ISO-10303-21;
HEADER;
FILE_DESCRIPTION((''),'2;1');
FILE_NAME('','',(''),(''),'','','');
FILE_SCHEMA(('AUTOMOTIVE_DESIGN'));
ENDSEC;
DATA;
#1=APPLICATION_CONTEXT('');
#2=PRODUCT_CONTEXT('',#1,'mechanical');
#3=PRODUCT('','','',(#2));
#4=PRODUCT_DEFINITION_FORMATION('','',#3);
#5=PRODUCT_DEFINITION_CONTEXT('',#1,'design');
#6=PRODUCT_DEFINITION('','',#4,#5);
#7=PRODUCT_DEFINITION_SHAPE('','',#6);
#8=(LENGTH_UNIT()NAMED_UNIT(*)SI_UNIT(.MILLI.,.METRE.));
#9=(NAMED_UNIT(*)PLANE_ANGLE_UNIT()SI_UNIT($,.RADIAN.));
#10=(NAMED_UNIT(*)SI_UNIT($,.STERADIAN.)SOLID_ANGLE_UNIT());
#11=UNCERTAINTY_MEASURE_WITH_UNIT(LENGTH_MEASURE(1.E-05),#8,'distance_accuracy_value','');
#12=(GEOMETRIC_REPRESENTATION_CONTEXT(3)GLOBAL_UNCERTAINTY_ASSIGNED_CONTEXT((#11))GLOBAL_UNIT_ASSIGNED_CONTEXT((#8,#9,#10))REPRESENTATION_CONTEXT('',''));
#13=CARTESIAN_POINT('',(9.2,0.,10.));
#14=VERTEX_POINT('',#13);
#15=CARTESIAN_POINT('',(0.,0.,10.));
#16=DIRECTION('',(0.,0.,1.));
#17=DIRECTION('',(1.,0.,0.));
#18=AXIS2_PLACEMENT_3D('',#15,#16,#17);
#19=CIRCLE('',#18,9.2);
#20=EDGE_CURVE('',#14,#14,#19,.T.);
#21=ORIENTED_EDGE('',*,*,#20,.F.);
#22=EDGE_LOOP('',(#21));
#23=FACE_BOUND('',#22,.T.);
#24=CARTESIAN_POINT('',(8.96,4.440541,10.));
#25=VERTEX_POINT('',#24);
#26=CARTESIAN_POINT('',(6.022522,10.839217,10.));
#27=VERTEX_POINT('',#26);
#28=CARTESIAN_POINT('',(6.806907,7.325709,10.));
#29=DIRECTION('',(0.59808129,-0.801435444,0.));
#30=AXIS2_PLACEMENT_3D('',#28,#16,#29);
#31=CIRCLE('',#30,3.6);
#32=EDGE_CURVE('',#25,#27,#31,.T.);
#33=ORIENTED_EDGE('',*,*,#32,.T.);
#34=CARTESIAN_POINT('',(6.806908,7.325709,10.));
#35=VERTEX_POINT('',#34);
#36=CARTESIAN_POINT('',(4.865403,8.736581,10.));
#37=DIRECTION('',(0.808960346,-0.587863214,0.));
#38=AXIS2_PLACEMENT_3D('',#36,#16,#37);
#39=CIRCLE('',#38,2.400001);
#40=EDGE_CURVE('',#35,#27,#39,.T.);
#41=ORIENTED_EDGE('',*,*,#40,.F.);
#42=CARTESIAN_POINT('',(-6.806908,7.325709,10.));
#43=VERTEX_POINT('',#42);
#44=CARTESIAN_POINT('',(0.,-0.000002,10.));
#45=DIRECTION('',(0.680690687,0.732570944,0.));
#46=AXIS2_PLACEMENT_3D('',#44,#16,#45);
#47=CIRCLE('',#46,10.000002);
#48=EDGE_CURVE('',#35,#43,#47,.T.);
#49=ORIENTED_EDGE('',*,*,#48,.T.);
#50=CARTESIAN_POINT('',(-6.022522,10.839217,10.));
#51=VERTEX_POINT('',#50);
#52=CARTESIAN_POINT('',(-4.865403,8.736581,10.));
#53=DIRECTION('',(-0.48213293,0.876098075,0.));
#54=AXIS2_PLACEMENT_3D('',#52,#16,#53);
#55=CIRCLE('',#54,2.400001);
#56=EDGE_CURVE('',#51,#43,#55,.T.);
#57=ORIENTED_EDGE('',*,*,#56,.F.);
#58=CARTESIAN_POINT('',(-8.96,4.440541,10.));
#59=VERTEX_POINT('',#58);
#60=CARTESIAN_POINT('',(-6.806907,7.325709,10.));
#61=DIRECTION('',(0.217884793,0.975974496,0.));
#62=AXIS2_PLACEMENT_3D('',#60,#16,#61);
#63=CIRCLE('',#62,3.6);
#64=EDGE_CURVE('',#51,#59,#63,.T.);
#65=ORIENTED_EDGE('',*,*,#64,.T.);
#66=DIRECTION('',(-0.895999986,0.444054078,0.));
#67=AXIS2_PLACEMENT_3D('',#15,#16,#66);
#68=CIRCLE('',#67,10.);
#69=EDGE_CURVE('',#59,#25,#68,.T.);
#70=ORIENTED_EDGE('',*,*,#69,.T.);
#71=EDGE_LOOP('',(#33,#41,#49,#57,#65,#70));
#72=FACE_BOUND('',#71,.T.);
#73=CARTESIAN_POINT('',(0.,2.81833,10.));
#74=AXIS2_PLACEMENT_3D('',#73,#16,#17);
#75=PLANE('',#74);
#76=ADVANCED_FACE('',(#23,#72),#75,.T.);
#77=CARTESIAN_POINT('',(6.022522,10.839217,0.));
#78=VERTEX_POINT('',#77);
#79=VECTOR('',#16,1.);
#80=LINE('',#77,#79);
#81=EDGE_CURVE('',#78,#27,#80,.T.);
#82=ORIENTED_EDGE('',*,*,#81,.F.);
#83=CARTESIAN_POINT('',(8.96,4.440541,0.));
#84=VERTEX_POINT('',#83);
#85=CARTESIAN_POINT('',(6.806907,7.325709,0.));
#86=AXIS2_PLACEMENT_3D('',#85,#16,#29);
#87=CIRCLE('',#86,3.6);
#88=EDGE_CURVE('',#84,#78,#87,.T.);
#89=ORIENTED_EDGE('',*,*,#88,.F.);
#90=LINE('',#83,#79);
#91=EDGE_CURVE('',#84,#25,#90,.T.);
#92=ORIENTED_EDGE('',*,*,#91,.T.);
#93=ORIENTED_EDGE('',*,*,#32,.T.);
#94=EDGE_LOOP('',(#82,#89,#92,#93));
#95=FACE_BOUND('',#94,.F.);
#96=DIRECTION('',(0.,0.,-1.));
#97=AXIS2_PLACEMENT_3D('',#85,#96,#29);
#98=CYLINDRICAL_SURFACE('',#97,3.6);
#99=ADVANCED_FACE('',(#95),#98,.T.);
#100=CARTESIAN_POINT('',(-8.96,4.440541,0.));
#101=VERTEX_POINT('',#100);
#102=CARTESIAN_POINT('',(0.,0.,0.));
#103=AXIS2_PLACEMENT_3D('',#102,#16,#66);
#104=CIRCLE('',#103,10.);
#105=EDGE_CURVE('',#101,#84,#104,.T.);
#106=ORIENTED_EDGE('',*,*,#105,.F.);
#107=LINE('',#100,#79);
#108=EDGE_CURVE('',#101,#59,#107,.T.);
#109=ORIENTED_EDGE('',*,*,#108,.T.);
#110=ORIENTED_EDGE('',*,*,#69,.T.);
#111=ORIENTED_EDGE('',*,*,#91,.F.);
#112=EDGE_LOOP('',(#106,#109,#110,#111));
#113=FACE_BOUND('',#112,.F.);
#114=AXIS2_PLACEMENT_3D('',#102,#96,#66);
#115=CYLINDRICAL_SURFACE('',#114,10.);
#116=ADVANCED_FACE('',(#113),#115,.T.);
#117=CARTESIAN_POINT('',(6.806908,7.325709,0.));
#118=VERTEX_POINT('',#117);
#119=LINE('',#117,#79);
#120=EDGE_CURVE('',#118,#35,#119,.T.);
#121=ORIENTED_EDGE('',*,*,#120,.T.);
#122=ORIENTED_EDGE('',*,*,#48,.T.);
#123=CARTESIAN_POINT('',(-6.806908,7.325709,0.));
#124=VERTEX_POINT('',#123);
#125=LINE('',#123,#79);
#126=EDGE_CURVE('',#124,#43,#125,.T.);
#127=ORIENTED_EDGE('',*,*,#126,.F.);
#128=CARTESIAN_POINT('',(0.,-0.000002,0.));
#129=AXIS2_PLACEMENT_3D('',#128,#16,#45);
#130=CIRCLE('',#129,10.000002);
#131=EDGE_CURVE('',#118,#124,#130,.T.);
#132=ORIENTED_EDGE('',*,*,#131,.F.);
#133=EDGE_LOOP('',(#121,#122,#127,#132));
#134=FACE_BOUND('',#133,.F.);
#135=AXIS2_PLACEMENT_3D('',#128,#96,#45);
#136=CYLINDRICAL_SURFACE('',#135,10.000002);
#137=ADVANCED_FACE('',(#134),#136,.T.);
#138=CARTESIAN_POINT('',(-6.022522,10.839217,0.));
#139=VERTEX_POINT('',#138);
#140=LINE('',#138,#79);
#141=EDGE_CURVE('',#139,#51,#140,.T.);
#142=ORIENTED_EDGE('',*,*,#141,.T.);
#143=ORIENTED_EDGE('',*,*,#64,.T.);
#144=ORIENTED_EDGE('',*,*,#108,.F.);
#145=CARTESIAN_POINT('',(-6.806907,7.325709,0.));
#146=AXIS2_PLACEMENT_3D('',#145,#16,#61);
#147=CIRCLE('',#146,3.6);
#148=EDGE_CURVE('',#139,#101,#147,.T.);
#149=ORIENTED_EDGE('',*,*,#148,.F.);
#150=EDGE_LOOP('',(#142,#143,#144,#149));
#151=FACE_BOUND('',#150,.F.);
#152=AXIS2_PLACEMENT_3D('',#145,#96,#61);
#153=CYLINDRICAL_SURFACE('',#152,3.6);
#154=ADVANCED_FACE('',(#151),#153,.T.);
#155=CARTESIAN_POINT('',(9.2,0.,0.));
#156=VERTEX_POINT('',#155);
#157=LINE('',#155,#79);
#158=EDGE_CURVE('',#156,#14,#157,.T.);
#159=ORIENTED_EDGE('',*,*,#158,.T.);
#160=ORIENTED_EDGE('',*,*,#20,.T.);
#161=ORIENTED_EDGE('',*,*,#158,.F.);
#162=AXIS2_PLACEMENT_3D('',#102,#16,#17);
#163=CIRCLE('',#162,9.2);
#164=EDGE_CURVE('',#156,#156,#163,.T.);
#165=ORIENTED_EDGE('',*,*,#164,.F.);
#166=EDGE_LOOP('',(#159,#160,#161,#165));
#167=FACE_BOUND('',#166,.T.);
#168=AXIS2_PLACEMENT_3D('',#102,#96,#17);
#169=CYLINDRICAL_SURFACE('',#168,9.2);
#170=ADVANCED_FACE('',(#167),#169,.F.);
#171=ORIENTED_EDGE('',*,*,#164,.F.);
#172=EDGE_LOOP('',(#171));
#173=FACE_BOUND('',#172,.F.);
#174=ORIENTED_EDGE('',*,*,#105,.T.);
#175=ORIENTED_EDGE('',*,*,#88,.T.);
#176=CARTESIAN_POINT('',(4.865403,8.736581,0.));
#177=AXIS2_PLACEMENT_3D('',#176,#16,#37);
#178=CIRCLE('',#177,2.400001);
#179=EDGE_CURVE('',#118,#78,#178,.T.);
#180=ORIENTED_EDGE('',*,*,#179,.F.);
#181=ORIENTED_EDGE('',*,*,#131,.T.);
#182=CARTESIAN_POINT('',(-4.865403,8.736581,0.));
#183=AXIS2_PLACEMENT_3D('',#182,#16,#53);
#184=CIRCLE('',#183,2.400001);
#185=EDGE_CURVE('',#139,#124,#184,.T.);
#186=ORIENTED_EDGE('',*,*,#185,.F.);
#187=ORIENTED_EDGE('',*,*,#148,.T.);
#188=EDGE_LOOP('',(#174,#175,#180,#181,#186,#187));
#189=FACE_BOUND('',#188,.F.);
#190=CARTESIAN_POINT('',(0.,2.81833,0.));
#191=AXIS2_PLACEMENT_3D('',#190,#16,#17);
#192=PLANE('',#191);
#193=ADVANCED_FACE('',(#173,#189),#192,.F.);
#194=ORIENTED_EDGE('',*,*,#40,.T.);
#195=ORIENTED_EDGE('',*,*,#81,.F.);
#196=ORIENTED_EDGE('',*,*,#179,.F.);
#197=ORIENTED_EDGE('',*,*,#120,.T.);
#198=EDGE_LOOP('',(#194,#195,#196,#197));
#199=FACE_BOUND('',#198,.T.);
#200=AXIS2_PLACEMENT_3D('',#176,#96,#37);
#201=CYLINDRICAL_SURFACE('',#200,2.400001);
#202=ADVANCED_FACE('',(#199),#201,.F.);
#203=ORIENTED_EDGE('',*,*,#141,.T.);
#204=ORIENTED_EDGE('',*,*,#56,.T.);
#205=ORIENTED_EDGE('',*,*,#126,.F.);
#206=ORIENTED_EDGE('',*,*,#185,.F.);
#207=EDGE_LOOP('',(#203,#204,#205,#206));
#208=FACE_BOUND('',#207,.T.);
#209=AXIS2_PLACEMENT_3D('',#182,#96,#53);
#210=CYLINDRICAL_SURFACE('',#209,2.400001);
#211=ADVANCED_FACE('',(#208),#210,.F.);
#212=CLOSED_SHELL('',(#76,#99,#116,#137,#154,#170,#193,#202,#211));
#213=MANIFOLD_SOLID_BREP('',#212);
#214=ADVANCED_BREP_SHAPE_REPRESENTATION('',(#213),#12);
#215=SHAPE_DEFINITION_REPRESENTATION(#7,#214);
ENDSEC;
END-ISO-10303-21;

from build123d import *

# Parameters (mm, degrees)
SKETCH_R      = 9.2
EXTRUDE_DEPTH = 10


with BuildPart() as part:
    # Sketch → Extrude (new body)
    with BuildSketch(Plane.XY):
        with BuildLine():
            ThreePointArc((-6.022522, 10.839217), (-10.07862, 8.827673), (-8.96, 4.440541))
            ThreePointArc((-8.96, 4.440541), (0, -10), (8.96, 4.440541))
            ThreePointArc((8.96, 4.440541), (10.07862, 8.827673), (6.022522, 10.839217))
            ThreePointArc((6.806908, 7.325709), (7.207742, 9.259505), (6.022522, 10.839217))
            ThreePointArc((6.806908, 7.325709), (0, 10), (-6.806908, 7.325709))
            ThreePointArc((-6.022522, 10.839217), (-7.207742, 9.259505), (-6.806908, 7.325709))
        make_face()
        Circle(SKETCH_R, mode=Mode.SUBTRACT)
    extrude(amount=EXTRUDE_DEPTH)


solid = part.part
